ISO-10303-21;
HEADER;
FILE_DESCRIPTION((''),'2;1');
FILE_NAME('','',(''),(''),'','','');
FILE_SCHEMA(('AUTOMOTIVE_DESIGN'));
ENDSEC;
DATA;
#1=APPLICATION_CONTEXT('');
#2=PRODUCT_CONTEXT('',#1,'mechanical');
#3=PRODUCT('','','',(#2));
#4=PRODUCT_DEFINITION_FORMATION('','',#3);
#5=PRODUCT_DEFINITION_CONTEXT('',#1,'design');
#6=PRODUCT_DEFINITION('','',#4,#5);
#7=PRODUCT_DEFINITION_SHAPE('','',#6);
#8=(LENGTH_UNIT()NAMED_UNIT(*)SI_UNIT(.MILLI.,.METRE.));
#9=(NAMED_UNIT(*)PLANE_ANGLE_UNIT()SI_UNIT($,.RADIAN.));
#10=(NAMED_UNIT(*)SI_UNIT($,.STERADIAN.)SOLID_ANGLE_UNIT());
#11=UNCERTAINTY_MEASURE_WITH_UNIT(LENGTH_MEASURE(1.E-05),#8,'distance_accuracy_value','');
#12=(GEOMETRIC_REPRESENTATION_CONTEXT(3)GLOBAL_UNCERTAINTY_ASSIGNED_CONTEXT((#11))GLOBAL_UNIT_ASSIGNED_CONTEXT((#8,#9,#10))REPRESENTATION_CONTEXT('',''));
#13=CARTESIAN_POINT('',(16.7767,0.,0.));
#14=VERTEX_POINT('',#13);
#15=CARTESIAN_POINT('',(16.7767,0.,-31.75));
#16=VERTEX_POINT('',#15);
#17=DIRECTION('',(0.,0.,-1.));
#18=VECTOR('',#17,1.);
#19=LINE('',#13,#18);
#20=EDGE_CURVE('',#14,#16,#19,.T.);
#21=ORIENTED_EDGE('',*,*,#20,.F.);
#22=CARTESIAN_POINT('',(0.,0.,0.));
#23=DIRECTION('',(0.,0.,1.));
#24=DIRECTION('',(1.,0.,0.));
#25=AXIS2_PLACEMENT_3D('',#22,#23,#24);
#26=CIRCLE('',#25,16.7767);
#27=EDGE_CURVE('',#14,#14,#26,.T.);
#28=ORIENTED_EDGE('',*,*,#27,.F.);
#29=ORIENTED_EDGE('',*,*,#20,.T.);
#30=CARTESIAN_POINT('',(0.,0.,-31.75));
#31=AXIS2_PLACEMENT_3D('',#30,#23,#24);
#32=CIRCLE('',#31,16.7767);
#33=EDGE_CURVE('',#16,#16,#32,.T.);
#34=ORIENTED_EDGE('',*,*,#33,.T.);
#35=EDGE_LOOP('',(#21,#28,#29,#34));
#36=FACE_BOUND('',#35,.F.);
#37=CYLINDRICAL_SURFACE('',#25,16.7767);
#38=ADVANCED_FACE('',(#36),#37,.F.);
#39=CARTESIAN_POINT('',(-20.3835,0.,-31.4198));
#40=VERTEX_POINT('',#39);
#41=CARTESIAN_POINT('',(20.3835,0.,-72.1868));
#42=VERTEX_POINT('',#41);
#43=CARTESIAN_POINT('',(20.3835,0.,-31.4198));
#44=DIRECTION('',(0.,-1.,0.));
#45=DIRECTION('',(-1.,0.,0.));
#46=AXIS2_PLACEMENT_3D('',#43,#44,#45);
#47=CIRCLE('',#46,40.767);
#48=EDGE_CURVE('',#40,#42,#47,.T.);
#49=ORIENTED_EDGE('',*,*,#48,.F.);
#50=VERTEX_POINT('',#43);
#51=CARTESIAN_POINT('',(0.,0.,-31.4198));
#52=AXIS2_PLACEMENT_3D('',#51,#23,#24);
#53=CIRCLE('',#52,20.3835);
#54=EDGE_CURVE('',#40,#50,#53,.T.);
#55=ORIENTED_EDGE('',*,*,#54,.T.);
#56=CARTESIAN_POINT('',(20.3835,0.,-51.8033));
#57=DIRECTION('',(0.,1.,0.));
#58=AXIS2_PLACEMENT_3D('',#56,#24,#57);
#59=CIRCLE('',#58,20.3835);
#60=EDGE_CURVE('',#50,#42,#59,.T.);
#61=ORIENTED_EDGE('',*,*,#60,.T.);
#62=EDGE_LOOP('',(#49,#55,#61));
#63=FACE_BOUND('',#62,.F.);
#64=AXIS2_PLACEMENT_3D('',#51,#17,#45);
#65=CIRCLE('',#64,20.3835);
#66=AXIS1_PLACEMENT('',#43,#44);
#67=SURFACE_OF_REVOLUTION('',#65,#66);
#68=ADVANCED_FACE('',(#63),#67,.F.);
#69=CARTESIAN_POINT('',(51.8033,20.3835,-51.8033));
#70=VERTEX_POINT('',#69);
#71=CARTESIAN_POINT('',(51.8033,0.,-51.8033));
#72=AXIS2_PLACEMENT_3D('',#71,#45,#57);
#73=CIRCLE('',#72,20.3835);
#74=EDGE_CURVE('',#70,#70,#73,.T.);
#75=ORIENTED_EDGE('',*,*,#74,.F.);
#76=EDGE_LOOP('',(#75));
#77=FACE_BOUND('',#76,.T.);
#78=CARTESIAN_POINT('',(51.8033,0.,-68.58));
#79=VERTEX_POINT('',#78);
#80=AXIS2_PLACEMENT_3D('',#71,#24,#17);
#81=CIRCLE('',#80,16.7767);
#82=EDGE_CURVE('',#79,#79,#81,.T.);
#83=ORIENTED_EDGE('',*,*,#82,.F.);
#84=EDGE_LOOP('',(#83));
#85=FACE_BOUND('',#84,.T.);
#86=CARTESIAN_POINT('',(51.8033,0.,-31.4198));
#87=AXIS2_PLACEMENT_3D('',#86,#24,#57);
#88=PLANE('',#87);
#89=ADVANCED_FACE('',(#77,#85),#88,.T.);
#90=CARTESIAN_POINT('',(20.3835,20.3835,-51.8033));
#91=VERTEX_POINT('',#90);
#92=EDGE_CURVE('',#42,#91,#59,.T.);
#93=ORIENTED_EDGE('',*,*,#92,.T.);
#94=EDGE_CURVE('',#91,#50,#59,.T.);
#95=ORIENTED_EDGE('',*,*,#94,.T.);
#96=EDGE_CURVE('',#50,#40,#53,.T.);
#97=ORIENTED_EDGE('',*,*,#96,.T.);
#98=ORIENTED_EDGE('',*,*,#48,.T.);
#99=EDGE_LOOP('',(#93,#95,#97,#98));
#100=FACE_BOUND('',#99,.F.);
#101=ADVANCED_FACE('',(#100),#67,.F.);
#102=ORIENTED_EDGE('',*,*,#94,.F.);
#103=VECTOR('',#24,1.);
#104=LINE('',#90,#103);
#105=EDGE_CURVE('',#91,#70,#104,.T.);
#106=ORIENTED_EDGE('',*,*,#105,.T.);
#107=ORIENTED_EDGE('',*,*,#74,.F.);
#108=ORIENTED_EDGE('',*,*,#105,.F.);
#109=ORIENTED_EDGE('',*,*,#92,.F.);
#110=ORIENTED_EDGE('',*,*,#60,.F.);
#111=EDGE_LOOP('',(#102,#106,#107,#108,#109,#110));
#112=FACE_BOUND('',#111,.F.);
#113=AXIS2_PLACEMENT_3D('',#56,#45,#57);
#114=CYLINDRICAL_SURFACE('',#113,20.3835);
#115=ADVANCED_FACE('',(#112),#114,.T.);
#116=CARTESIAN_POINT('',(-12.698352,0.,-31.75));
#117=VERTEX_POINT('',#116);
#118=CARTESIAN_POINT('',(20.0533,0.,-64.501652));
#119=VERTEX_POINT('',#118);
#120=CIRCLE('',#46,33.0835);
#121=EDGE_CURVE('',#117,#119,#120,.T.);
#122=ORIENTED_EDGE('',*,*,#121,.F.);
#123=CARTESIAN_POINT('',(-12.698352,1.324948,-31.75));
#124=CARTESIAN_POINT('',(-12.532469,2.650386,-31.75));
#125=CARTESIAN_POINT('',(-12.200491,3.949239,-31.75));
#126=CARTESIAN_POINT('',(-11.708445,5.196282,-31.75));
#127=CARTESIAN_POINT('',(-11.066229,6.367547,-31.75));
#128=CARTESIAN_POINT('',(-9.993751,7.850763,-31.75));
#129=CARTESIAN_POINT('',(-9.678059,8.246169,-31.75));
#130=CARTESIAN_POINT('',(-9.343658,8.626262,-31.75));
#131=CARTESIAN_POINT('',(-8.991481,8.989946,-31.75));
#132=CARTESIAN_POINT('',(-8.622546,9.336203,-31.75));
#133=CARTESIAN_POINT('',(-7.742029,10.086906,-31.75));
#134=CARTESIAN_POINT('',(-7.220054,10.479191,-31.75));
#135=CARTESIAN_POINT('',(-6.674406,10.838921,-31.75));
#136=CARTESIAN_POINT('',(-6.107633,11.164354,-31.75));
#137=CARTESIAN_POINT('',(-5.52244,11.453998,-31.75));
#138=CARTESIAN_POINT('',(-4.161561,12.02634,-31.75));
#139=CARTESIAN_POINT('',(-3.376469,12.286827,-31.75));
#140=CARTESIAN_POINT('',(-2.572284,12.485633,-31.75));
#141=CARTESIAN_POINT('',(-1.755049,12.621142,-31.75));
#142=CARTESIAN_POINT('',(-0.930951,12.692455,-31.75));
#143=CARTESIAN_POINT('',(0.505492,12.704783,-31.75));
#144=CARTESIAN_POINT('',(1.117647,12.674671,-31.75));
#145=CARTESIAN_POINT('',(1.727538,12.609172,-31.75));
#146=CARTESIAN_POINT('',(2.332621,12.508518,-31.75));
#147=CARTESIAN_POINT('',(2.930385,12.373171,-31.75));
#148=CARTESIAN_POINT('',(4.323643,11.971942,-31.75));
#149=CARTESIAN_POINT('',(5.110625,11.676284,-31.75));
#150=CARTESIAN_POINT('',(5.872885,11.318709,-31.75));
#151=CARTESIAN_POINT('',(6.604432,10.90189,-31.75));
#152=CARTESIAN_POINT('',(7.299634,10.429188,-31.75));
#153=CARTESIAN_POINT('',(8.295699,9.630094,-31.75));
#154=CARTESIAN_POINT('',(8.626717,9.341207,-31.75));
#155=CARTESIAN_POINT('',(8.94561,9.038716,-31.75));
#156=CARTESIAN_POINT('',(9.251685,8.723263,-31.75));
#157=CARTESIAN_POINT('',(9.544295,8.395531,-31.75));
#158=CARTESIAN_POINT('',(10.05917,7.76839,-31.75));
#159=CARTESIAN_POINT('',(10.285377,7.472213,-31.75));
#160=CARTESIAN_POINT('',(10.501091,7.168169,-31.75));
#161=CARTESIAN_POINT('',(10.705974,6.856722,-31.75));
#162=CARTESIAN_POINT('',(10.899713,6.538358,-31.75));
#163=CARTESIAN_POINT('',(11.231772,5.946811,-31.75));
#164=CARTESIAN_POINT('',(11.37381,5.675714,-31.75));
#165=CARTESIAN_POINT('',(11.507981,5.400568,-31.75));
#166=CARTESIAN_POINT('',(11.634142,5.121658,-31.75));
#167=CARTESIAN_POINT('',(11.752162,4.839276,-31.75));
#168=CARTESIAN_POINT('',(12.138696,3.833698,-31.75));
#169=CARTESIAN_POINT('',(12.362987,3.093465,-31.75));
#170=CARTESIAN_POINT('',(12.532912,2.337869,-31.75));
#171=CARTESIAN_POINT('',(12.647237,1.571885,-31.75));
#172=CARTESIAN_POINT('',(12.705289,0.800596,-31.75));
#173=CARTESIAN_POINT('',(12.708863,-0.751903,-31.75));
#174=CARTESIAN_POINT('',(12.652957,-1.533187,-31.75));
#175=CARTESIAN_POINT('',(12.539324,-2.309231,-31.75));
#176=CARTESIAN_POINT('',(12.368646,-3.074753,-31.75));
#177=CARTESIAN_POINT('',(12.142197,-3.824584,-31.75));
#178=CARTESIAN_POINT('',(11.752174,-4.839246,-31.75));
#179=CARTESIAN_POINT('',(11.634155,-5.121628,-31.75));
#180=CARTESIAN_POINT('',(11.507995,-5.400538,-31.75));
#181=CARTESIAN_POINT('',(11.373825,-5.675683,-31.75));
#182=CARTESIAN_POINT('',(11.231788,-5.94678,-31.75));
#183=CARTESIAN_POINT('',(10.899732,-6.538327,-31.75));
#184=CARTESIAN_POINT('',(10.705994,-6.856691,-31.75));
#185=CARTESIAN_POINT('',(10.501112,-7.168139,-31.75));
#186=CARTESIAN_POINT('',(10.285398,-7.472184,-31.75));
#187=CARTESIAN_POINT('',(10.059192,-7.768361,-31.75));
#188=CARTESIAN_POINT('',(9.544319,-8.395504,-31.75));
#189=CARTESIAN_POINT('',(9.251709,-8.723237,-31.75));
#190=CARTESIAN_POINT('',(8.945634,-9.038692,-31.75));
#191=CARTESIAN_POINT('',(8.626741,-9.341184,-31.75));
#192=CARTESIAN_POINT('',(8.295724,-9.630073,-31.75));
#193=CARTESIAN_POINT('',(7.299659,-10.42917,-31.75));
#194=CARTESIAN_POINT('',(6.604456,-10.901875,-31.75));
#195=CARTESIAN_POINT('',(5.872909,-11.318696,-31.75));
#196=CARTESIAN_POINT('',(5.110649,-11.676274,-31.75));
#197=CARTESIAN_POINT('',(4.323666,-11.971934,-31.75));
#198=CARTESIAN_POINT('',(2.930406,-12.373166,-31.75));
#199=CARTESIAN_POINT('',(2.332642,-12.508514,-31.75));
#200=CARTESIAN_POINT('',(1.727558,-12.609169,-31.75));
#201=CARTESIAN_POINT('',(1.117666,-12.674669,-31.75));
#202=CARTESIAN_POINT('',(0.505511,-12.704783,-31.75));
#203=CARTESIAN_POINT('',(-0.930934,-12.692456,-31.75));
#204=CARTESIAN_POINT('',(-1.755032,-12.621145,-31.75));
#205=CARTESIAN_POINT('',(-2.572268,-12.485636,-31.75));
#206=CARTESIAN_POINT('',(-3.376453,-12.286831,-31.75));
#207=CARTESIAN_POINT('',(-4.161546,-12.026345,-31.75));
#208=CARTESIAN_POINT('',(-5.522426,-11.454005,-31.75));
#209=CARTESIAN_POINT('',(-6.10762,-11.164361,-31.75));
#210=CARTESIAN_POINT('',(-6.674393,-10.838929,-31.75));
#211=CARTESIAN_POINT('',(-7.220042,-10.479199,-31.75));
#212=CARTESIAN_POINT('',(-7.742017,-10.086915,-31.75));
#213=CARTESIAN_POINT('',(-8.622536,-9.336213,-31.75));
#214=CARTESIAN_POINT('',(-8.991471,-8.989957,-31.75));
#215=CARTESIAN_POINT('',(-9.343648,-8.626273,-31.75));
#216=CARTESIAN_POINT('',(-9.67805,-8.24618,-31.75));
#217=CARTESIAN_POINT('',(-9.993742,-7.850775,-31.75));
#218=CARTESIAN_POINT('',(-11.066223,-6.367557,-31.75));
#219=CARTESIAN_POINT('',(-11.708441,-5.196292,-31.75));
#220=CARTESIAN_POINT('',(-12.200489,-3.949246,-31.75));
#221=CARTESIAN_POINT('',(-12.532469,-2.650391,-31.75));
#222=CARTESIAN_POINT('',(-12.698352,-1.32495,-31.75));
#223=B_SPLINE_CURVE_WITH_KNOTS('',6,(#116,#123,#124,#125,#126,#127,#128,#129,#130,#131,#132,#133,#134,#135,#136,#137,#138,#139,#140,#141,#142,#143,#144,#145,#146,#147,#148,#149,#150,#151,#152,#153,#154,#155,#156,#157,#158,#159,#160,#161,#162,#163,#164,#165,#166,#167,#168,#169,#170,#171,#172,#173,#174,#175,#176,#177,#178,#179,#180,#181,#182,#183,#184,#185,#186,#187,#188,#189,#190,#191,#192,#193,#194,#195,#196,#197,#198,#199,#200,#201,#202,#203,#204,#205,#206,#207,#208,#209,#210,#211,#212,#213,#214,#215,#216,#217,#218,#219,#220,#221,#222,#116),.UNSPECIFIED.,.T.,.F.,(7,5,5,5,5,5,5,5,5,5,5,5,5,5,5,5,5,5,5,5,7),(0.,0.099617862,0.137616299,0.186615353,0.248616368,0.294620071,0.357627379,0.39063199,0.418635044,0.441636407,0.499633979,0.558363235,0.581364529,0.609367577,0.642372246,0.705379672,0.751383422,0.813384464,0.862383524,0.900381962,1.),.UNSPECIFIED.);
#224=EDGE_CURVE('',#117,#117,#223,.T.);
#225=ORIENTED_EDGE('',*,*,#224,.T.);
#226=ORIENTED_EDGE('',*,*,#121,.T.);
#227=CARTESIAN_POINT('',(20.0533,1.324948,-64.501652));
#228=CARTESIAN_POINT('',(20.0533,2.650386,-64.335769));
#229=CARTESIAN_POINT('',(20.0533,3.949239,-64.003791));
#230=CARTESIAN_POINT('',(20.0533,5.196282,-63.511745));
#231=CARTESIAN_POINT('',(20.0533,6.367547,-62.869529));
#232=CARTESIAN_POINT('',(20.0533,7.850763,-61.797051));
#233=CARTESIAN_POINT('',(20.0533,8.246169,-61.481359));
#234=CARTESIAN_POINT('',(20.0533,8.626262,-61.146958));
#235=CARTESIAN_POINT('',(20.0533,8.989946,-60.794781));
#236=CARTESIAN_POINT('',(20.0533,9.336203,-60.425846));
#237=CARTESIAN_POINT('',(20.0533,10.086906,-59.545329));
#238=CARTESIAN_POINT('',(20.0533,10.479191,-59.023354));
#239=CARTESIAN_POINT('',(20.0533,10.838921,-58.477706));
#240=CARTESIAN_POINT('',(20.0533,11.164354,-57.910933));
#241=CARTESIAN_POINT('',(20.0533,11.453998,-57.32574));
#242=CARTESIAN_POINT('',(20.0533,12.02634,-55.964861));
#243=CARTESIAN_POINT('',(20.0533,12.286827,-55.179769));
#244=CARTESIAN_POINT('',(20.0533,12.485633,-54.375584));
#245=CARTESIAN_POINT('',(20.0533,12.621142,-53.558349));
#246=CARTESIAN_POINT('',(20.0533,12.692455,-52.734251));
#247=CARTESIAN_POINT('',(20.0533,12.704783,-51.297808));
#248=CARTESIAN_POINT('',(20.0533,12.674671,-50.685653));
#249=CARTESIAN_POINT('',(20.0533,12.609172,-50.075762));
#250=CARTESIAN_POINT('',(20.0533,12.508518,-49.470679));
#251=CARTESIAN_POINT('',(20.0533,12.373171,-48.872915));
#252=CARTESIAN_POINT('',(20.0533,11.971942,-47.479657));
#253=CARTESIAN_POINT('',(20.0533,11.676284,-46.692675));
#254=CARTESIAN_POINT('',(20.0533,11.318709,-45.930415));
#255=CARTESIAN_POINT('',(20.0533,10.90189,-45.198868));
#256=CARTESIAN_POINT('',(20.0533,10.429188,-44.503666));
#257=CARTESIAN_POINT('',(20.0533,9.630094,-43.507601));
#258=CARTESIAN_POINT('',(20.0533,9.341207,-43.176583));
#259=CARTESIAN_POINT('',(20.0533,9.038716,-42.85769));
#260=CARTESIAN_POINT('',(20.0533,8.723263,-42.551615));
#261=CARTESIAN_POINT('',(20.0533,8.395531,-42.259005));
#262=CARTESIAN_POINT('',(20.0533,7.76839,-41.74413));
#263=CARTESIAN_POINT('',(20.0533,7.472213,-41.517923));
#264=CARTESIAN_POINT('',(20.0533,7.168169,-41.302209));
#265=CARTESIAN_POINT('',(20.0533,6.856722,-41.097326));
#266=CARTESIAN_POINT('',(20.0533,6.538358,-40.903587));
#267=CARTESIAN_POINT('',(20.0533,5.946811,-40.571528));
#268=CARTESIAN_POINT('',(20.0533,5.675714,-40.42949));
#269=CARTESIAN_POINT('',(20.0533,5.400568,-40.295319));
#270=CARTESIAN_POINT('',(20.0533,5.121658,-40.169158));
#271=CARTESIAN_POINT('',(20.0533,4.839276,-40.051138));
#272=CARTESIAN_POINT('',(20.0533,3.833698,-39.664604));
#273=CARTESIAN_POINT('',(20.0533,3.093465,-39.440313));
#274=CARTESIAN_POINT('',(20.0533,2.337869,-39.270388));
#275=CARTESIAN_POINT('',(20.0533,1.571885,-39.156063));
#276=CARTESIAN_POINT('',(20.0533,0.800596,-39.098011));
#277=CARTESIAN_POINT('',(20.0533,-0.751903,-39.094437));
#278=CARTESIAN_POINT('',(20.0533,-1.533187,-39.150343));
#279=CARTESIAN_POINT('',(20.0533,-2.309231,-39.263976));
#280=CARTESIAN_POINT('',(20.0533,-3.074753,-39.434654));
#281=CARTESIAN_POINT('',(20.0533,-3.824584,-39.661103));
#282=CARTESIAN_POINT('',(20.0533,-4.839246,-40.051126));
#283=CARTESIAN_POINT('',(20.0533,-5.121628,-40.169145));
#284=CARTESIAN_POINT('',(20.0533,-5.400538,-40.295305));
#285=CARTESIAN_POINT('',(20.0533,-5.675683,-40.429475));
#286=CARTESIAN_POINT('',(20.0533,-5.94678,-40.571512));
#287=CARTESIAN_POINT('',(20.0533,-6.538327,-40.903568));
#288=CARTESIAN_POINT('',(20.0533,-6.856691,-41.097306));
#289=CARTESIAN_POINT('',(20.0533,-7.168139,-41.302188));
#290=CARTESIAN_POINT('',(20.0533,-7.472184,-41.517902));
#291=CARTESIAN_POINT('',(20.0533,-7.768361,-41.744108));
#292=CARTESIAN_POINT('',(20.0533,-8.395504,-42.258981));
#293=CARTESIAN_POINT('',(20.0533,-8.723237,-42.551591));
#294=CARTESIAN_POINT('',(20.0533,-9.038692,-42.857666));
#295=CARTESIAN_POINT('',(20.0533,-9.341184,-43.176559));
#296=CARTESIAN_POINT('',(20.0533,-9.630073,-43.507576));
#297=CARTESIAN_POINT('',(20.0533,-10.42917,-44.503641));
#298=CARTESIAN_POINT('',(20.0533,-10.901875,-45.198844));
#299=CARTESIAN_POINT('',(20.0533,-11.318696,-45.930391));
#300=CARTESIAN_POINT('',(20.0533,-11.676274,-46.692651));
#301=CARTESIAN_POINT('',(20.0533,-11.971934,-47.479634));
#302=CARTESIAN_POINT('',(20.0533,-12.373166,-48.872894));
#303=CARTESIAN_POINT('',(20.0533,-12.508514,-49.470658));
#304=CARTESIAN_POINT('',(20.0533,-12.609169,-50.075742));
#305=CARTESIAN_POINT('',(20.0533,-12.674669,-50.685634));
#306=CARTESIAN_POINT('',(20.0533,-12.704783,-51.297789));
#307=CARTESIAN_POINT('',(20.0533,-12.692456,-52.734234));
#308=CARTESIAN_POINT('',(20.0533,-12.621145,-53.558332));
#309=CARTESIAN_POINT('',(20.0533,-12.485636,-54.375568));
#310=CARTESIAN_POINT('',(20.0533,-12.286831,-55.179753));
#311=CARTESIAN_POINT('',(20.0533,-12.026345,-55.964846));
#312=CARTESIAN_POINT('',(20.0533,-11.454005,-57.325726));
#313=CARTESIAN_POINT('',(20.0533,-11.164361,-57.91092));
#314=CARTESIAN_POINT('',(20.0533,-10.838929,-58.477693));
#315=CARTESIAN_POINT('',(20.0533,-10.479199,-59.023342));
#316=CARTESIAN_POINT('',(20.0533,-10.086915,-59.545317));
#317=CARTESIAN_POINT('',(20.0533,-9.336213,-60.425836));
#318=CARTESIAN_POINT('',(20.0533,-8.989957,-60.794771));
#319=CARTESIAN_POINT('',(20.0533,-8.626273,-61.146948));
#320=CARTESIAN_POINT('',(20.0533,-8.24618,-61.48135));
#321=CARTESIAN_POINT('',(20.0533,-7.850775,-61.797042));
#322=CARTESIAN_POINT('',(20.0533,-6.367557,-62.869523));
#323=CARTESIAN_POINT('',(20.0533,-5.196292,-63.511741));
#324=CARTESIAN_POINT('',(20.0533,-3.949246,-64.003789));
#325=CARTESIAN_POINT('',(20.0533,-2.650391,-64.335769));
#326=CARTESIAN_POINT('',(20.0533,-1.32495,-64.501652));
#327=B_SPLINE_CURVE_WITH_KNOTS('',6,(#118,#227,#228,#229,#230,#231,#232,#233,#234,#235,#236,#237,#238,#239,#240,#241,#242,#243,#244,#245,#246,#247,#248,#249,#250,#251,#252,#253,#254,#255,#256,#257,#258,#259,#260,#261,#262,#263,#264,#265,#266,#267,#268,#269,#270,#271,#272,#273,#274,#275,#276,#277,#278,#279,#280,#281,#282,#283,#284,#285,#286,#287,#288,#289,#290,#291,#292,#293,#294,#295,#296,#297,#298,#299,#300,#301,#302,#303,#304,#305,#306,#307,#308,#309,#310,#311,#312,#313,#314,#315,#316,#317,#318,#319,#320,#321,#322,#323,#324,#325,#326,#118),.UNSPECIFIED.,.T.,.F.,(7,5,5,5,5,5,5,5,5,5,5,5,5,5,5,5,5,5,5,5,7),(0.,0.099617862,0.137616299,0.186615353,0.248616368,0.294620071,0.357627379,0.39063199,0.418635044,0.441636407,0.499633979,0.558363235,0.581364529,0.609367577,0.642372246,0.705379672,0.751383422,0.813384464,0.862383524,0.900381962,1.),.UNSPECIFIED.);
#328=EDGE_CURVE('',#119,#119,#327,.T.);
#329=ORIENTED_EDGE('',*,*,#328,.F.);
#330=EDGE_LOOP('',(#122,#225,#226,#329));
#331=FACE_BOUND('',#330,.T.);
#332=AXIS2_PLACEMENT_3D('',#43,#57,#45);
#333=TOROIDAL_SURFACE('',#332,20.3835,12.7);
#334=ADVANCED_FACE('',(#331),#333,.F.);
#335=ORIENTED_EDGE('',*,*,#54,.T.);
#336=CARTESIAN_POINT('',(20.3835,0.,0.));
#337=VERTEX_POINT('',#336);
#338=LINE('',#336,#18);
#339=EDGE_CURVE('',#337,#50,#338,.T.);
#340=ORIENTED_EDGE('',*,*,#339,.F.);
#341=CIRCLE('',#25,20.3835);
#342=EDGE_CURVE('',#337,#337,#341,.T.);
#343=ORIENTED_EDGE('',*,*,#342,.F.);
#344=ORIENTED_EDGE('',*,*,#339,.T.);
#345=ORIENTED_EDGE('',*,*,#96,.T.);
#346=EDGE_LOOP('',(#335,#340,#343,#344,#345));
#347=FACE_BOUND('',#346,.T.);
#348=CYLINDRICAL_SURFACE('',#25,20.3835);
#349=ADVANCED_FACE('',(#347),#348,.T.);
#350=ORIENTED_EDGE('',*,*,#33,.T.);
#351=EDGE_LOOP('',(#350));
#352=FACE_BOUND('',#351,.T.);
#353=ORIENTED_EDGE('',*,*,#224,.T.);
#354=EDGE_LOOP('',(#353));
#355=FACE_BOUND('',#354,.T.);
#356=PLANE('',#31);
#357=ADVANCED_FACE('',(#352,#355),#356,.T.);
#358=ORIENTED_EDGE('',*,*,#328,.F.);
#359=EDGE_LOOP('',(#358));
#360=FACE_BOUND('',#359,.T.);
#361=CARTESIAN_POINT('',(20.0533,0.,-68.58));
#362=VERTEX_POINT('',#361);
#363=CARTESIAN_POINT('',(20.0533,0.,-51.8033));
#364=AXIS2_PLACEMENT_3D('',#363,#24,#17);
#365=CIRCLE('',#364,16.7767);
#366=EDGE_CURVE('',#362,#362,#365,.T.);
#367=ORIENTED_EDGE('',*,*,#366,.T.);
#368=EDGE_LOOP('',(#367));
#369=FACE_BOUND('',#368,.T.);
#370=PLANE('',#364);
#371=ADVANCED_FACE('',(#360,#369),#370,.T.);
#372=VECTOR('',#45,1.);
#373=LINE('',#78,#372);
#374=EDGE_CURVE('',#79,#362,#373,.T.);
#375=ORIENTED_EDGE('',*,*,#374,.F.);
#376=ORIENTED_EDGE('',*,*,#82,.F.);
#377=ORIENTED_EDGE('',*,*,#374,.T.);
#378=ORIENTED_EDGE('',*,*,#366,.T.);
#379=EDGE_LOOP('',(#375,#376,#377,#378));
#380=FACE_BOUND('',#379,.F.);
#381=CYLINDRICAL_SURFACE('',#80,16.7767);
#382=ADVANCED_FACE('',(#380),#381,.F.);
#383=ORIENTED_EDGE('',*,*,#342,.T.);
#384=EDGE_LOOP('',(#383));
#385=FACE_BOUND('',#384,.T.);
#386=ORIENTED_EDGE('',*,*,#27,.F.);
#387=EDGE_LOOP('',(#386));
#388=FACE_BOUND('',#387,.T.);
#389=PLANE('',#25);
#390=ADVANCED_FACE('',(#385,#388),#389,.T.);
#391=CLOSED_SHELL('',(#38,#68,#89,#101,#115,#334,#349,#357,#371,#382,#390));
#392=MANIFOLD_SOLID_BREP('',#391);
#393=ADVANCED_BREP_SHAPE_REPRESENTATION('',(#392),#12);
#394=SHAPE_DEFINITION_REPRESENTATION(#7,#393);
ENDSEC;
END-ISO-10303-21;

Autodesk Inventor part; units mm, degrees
sketch "Sketch1" plane through (0, 0, 0) normal (0, 0, 1) x (1, 0, 0)
  circle A0 centre (0, 0) radius 20.3835
  dimension "d0" = 40.767
extrude "Extrusion1" add sketch "Sketch1" against normal blind 31.4198
sketch "Sketch2" plane through (0, 0, -31.4198) normal (0, 0, -1) x (-1, 0, 0)
  circle A0 centre (0, 0) radius 20.3835 projected
  line L0 (-20.3835, 0) -> (-20.3835, 24.6473)
ref_plane "Work Plane1" through (20.3835, 0, -31.4198) normal (1, 0, 0) x (0, 1, 0)
sketch "Sketch3" plane through (20.3835, 0, -31.4198) normal (1, 0, 0) x (0, 1, 0)
  line L0 (-20.3835, 0) -> (20.3835, 0) projected
  line L1 (0, 0) -> (0, -20.3835)
  circle A0 centre (0, -20.3835) radius 20.3835
  point P0 (0, 31.4198)
  dimension "d4" = 20.3835
extrude "Extrusion2" add sketch "Sketch3" along normal blind 31.4198
sketch "Sketch4" plane through (0, 0, 0) normal (0, 0, 1) x (1, 0, 0)
  circle A0 centre (0, 0) radius 16.7767
  dimension "d7" = 33.5534
sketch "Sketch5" plane through (51.8033, 0, -51.8033) normal (1, 0, 0) x (0, 0, -1)
  circle A0 centre (0, 0) radius 16.7767
  point P0 (-51.8033, 0)
  dimension "d8" = 33.5534
ref_plane "Work Plane2" through (0, 0, -31.4198) normal (0, 0, -1) x (-1, 0, 0)
ref_plane "Work Plane3" through (20.3835, 0, -31.4198) normal (-1, 0, 0) x (0, 0, 1)
revolve "Revolution1" add sketch "Sketch2" angle 90 about axis through (20.3835, 0, -31.4198) along (0, -1, 0)
extrude "Extrusion3" cut sketch "Sketch4" against normal blind 31.75
sketch "Sketch6" plane through (0, 0, -31.4198) normal (0, 0, -1) x (-1, 0, 0)
  circle A0 centre (0, 0) radius 12.7
  line L0 (-20.3835, -28.5369) -> (-20.3835, 28.5369) projected
  dimension "d14" = 25.4
revolve "Revolution2" cut sketch "Sketch6" angle 90 about axis through (20.3835, 0, -31.4198) along (0, -1, 0)
extrude "Extrusion4" cut sketch "Sketch5" against normal blind 31.75
properties part number "90 Elbow 1 Inch"
